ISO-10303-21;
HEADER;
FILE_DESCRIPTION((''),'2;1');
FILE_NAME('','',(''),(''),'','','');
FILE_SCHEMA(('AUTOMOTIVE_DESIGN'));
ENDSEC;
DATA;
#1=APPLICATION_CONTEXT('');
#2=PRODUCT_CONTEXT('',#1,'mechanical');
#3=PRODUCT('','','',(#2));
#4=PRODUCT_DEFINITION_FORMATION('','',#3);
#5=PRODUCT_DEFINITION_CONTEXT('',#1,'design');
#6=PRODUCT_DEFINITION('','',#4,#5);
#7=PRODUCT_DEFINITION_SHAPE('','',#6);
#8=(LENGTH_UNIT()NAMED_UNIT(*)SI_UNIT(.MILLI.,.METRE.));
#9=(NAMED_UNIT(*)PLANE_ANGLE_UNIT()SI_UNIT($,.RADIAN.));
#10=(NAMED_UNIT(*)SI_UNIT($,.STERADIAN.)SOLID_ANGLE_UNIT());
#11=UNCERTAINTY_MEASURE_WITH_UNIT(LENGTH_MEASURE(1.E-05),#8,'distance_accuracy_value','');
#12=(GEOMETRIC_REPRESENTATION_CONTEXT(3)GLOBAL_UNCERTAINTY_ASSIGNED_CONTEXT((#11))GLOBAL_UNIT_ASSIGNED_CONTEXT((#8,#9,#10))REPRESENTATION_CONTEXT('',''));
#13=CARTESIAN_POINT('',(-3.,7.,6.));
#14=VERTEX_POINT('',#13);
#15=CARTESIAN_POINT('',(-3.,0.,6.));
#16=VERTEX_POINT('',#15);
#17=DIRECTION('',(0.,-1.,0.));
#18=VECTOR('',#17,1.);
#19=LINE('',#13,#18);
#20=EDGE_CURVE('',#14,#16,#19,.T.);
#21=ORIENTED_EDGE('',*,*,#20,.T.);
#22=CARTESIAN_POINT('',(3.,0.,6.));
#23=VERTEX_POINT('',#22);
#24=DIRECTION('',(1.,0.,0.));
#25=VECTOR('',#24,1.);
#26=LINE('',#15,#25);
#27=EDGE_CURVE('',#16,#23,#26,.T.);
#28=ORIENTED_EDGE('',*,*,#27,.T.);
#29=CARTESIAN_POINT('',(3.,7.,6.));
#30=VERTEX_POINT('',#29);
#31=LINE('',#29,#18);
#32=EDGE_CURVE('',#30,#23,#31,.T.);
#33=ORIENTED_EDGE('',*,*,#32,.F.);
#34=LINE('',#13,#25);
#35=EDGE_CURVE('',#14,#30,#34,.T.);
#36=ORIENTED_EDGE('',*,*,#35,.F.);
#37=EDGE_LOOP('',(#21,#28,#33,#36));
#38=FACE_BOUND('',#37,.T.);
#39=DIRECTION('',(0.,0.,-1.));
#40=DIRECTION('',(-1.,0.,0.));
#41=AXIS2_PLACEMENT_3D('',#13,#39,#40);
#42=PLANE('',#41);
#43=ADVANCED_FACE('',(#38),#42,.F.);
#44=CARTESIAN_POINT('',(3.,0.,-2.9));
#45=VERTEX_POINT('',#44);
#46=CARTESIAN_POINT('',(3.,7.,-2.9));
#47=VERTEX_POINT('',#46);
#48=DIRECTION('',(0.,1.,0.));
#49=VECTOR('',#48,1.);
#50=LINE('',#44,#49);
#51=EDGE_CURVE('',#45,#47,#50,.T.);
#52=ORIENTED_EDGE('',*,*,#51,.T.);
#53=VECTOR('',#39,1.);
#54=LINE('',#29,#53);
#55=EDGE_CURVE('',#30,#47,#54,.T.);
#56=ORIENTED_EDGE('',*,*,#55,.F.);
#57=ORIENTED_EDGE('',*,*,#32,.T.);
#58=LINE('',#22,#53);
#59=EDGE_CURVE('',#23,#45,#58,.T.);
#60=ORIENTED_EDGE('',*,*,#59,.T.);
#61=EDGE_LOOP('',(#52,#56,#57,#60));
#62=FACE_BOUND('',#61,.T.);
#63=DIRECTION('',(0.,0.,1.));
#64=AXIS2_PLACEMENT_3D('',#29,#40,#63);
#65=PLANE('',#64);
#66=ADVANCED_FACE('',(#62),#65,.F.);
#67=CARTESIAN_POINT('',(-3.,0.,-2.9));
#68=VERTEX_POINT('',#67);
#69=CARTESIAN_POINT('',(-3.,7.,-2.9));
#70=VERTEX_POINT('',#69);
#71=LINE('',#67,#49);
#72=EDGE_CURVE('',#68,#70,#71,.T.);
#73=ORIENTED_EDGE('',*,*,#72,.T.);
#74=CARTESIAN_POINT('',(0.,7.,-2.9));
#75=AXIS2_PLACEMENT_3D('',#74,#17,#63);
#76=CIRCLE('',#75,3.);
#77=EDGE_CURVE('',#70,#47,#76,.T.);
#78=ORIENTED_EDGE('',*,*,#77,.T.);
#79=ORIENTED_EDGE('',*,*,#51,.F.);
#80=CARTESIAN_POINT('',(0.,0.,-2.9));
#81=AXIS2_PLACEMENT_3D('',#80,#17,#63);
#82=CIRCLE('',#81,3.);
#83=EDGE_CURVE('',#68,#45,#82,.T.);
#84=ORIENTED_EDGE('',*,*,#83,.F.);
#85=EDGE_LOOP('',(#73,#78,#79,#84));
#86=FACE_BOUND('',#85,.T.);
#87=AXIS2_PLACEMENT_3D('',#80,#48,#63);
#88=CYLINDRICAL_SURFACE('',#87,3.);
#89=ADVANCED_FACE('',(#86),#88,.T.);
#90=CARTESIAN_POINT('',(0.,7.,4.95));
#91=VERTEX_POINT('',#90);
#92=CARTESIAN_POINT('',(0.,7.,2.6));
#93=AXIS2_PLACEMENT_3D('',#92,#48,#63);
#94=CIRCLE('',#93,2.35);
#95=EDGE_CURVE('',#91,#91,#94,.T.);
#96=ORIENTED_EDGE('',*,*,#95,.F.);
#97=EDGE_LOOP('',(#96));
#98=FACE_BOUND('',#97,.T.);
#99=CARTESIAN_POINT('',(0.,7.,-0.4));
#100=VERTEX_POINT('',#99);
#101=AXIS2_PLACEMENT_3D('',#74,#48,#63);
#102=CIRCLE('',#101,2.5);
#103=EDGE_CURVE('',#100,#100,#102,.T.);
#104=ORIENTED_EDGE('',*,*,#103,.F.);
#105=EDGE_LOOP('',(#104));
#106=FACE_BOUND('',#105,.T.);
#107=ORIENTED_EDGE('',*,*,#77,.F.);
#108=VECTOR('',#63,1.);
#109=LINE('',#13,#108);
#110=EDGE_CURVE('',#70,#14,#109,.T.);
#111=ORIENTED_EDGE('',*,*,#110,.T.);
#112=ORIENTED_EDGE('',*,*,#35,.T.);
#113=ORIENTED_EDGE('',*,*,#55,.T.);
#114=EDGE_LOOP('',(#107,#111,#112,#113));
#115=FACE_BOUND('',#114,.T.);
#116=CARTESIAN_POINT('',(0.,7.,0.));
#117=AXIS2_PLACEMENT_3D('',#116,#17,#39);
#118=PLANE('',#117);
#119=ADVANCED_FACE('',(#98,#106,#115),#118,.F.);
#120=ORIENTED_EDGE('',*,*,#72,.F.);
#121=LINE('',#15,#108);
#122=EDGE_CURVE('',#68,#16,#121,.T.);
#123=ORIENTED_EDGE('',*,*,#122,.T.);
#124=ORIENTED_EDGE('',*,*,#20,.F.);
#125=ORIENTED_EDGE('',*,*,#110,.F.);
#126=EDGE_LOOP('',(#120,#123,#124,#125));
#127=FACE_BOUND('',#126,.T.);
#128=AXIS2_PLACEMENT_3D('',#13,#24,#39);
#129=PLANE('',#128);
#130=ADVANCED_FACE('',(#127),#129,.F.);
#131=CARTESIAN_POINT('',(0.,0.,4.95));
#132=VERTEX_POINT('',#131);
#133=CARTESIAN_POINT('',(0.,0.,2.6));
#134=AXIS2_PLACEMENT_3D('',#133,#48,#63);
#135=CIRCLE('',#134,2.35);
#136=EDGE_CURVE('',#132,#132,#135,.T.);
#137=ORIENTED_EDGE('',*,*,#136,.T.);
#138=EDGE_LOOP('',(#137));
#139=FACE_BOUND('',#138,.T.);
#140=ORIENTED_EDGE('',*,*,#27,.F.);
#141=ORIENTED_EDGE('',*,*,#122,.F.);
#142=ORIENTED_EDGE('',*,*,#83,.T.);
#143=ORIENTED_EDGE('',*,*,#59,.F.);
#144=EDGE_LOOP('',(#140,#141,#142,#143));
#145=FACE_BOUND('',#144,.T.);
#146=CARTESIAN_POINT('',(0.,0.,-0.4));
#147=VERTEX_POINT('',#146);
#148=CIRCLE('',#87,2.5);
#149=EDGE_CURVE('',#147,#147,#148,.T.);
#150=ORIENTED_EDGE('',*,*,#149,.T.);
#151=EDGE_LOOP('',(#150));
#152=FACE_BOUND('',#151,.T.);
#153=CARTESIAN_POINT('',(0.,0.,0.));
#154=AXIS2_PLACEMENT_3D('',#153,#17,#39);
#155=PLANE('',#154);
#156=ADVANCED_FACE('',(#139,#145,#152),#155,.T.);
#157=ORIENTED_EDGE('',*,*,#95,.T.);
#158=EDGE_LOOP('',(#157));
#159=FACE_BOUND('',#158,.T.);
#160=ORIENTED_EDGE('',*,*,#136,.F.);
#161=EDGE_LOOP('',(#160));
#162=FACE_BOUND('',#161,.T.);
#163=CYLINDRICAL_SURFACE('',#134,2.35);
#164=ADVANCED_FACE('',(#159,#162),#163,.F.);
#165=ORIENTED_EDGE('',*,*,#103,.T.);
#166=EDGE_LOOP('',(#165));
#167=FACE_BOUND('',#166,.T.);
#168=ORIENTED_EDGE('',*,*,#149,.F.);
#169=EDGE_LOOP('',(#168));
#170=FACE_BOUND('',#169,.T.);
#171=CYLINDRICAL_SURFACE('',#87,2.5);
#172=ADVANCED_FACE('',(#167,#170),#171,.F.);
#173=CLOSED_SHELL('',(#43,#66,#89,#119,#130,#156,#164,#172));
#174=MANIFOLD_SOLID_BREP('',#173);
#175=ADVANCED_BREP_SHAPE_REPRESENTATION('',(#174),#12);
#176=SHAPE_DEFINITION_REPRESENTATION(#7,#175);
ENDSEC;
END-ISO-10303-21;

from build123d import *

# Parameters (mm, degrees)
SKETCH4_W           = 6
SKETCH4_H           = 12
BOSS_EXTRUDE2_DEPTH = 7
SKETCH5_R           = 2.35
SKETCH5_R_2         = 2.5
CUT_EXTRUDE2_DEPTH  = 10.695359715
CUT_EXTRUDE3_DEPTH  = 10.695359715


with BuildPart() as part:
    # Sketch4 → Boss-Extrude2 (new body)
    with BuildSketch(Plane(origin=(0, 0, 0), x_dir=(1, 0, 0), z_dir=(0, 1, 0))):
        Rectangle(SKETCH4_W, SKETCH4_H)
    extrude(amount=BOSS_EXTRUDE2_DEPTH)

    # Sketch5 → Cut-Extrude2 (cut, through all)
    with BuildSketch(Plane(origin=(0, 7, 0), x_dir=(1, 0, 0), z_dir=(0, 1, 0))):
        with Locations(Location((0, -2.6, 0), (0, 0, 270))):
            Circle(SKETCH5_R)
        with Locations(Location((0, 2.9, 0), (0, 0, 270))):
            Circle(SKETCH5_R_2)
    extrude(amount=-CUT_EXTRUDE2_DEPTH, mode=Mode.SUBTRACT)

    # Sketch7 → Cut-Extrude3 (cut, through all)
    with BuildSketch(Plane(origin=(0, 7, 0), x_dir=(1, 0, 0), z_dir=(0, 1, 0))):
        with BuildLine():
            Line((-3, 2.9), (-3, 6))
            Line((-3, 6), (3, 6))
            Line((3, 6), (3, 2.9))
            ThreePointArc((3, 2.9), (0, 5.9), (-3, 2.9))
        make_face()
    extrude(amount=-CUT_EXTRUDE3_DEPTH, mode=Mode.SUBTRACT)


solid = part.part
